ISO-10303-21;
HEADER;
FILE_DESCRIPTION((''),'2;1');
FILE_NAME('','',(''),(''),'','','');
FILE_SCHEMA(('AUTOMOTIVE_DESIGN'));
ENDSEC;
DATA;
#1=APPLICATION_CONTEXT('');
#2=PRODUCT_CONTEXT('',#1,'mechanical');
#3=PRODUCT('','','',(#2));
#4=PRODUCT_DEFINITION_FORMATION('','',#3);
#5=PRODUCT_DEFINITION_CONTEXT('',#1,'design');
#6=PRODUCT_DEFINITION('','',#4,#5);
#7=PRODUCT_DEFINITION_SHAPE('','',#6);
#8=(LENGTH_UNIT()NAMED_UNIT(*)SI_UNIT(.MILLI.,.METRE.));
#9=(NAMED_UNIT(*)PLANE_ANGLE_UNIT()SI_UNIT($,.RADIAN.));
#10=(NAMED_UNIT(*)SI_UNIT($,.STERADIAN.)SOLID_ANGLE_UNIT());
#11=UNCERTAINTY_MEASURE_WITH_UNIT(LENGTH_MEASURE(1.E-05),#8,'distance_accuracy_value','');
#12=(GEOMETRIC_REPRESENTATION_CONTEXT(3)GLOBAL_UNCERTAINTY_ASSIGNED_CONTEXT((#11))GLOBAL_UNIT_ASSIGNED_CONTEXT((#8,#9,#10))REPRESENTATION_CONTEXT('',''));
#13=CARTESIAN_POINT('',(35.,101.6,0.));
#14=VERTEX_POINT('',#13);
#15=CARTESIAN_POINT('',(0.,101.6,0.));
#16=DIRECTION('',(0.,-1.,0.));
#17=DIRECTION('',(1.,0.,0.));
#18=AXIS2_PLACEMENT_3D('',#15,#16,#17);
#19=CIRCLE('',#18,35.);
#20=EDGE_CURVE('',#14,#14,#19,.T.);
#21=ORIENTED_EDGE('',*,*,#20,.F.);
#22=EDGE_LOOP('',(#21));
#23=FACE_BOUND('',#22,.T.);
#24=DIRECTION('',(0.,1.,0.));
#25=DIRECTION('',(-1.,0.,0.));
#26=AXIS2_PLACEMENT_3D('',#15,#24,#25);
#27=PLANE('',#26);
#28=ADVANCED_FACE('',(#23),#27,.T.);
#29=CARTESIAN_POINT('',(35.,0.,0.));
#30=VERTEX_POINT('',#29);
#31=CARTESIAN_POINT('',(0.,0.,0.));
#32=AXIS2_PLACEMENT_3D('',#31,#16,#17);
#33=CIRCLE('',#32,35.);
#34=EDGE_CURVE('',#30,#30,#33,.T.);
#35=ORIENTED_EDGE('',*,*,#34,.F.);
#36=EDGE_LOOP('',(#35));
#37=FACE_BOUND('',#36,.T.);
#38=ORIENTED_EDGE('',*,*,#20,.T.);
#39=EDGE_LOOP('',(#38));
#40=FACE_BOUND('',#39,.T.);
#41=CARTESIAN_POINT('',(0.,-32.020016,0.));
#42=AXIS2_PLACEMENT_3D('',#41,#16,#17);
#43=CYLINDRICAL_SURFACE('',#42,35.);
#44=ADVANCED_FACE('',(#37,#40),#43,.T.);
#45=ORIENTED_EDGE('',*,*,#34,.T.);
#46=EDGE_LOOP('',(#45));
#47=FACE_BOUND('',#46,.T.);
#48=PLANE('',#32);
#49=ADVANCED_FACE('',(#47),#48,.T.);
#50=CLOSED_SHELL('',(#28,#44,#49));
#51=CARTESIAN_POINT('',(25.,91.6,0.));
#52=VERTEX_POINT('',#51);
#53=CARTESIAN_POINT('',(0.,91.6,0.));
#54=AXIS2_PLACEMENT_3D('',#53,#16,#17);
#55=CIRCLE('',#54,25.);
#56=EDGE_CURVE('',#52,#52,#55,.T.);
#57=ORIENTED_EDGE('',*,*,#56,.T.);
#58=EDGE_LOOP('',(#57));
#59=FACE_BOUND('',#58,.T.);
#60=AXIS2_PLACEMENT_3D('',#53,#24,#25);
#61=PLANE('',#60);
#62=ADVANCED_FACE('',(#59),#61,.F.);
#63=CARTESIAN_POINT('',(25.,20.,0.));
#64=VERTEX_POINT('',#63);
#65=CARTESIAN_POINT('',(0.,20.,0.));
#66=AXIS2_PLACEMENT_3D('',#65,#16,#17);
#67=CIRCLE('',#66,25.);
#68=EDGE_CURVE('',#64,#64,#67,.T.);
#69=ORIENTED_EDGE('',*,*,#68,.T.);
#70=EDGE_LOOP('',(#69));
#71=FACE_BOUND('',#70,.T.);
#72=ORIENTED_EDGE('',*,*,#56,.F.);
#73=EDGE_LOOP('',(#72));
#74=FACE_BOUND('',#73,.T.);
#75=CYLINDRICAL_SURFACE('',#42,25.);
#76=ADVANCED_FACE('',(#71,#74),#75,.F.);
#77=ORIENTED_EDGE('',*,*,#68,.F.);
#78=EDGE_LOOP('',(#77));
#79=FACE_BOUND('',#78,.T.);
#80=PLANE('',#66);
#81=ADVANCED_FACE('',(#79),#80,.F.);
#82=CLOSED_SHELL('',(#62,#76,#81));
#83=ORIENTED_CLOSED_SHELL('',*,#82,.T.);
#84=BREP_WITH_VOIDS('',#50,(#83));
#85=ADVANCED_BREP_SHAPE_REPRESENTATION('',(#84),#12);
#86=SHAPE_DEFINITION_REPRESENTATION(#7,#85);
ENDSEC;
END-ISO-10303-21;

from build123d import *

# Parameters (mm, degrees)
SKETCH3_W   = 25
SKETCH3_H   = 20
SKETCH3_W_2 = 10
SKETCH3_H_2 = 71.6
SKETCH3_H_3 = 10


with BuildPart() as part:
    # Sketch3 → Revolve2 (revolve)
    with BuildSketch(Plane.XY):
        with Locations((12.5, 10)):
            Rectangle(SKETCH3_W, SKETCH3_H)
        with Locations((30, 10)):
            Rectangle(SKETCH3_W_2, SKETCH3_H)
        with Locations((30, 55.8)):
            Rectangle(SKETCH3_W_2, SKETCH3_H_2)
        with Locations((30, 96.6)):
            Rectangle(SKETCH3_W_2, SKETCH3_H_3)
        with Locations((12.5, 96.6)):
            Rectangle(SKETCH3_W, SKETCH3_H_3)
    revolve(axis=Axis((0, -32.020016396, 0), (0, 1, 0)))


solid = part.part
